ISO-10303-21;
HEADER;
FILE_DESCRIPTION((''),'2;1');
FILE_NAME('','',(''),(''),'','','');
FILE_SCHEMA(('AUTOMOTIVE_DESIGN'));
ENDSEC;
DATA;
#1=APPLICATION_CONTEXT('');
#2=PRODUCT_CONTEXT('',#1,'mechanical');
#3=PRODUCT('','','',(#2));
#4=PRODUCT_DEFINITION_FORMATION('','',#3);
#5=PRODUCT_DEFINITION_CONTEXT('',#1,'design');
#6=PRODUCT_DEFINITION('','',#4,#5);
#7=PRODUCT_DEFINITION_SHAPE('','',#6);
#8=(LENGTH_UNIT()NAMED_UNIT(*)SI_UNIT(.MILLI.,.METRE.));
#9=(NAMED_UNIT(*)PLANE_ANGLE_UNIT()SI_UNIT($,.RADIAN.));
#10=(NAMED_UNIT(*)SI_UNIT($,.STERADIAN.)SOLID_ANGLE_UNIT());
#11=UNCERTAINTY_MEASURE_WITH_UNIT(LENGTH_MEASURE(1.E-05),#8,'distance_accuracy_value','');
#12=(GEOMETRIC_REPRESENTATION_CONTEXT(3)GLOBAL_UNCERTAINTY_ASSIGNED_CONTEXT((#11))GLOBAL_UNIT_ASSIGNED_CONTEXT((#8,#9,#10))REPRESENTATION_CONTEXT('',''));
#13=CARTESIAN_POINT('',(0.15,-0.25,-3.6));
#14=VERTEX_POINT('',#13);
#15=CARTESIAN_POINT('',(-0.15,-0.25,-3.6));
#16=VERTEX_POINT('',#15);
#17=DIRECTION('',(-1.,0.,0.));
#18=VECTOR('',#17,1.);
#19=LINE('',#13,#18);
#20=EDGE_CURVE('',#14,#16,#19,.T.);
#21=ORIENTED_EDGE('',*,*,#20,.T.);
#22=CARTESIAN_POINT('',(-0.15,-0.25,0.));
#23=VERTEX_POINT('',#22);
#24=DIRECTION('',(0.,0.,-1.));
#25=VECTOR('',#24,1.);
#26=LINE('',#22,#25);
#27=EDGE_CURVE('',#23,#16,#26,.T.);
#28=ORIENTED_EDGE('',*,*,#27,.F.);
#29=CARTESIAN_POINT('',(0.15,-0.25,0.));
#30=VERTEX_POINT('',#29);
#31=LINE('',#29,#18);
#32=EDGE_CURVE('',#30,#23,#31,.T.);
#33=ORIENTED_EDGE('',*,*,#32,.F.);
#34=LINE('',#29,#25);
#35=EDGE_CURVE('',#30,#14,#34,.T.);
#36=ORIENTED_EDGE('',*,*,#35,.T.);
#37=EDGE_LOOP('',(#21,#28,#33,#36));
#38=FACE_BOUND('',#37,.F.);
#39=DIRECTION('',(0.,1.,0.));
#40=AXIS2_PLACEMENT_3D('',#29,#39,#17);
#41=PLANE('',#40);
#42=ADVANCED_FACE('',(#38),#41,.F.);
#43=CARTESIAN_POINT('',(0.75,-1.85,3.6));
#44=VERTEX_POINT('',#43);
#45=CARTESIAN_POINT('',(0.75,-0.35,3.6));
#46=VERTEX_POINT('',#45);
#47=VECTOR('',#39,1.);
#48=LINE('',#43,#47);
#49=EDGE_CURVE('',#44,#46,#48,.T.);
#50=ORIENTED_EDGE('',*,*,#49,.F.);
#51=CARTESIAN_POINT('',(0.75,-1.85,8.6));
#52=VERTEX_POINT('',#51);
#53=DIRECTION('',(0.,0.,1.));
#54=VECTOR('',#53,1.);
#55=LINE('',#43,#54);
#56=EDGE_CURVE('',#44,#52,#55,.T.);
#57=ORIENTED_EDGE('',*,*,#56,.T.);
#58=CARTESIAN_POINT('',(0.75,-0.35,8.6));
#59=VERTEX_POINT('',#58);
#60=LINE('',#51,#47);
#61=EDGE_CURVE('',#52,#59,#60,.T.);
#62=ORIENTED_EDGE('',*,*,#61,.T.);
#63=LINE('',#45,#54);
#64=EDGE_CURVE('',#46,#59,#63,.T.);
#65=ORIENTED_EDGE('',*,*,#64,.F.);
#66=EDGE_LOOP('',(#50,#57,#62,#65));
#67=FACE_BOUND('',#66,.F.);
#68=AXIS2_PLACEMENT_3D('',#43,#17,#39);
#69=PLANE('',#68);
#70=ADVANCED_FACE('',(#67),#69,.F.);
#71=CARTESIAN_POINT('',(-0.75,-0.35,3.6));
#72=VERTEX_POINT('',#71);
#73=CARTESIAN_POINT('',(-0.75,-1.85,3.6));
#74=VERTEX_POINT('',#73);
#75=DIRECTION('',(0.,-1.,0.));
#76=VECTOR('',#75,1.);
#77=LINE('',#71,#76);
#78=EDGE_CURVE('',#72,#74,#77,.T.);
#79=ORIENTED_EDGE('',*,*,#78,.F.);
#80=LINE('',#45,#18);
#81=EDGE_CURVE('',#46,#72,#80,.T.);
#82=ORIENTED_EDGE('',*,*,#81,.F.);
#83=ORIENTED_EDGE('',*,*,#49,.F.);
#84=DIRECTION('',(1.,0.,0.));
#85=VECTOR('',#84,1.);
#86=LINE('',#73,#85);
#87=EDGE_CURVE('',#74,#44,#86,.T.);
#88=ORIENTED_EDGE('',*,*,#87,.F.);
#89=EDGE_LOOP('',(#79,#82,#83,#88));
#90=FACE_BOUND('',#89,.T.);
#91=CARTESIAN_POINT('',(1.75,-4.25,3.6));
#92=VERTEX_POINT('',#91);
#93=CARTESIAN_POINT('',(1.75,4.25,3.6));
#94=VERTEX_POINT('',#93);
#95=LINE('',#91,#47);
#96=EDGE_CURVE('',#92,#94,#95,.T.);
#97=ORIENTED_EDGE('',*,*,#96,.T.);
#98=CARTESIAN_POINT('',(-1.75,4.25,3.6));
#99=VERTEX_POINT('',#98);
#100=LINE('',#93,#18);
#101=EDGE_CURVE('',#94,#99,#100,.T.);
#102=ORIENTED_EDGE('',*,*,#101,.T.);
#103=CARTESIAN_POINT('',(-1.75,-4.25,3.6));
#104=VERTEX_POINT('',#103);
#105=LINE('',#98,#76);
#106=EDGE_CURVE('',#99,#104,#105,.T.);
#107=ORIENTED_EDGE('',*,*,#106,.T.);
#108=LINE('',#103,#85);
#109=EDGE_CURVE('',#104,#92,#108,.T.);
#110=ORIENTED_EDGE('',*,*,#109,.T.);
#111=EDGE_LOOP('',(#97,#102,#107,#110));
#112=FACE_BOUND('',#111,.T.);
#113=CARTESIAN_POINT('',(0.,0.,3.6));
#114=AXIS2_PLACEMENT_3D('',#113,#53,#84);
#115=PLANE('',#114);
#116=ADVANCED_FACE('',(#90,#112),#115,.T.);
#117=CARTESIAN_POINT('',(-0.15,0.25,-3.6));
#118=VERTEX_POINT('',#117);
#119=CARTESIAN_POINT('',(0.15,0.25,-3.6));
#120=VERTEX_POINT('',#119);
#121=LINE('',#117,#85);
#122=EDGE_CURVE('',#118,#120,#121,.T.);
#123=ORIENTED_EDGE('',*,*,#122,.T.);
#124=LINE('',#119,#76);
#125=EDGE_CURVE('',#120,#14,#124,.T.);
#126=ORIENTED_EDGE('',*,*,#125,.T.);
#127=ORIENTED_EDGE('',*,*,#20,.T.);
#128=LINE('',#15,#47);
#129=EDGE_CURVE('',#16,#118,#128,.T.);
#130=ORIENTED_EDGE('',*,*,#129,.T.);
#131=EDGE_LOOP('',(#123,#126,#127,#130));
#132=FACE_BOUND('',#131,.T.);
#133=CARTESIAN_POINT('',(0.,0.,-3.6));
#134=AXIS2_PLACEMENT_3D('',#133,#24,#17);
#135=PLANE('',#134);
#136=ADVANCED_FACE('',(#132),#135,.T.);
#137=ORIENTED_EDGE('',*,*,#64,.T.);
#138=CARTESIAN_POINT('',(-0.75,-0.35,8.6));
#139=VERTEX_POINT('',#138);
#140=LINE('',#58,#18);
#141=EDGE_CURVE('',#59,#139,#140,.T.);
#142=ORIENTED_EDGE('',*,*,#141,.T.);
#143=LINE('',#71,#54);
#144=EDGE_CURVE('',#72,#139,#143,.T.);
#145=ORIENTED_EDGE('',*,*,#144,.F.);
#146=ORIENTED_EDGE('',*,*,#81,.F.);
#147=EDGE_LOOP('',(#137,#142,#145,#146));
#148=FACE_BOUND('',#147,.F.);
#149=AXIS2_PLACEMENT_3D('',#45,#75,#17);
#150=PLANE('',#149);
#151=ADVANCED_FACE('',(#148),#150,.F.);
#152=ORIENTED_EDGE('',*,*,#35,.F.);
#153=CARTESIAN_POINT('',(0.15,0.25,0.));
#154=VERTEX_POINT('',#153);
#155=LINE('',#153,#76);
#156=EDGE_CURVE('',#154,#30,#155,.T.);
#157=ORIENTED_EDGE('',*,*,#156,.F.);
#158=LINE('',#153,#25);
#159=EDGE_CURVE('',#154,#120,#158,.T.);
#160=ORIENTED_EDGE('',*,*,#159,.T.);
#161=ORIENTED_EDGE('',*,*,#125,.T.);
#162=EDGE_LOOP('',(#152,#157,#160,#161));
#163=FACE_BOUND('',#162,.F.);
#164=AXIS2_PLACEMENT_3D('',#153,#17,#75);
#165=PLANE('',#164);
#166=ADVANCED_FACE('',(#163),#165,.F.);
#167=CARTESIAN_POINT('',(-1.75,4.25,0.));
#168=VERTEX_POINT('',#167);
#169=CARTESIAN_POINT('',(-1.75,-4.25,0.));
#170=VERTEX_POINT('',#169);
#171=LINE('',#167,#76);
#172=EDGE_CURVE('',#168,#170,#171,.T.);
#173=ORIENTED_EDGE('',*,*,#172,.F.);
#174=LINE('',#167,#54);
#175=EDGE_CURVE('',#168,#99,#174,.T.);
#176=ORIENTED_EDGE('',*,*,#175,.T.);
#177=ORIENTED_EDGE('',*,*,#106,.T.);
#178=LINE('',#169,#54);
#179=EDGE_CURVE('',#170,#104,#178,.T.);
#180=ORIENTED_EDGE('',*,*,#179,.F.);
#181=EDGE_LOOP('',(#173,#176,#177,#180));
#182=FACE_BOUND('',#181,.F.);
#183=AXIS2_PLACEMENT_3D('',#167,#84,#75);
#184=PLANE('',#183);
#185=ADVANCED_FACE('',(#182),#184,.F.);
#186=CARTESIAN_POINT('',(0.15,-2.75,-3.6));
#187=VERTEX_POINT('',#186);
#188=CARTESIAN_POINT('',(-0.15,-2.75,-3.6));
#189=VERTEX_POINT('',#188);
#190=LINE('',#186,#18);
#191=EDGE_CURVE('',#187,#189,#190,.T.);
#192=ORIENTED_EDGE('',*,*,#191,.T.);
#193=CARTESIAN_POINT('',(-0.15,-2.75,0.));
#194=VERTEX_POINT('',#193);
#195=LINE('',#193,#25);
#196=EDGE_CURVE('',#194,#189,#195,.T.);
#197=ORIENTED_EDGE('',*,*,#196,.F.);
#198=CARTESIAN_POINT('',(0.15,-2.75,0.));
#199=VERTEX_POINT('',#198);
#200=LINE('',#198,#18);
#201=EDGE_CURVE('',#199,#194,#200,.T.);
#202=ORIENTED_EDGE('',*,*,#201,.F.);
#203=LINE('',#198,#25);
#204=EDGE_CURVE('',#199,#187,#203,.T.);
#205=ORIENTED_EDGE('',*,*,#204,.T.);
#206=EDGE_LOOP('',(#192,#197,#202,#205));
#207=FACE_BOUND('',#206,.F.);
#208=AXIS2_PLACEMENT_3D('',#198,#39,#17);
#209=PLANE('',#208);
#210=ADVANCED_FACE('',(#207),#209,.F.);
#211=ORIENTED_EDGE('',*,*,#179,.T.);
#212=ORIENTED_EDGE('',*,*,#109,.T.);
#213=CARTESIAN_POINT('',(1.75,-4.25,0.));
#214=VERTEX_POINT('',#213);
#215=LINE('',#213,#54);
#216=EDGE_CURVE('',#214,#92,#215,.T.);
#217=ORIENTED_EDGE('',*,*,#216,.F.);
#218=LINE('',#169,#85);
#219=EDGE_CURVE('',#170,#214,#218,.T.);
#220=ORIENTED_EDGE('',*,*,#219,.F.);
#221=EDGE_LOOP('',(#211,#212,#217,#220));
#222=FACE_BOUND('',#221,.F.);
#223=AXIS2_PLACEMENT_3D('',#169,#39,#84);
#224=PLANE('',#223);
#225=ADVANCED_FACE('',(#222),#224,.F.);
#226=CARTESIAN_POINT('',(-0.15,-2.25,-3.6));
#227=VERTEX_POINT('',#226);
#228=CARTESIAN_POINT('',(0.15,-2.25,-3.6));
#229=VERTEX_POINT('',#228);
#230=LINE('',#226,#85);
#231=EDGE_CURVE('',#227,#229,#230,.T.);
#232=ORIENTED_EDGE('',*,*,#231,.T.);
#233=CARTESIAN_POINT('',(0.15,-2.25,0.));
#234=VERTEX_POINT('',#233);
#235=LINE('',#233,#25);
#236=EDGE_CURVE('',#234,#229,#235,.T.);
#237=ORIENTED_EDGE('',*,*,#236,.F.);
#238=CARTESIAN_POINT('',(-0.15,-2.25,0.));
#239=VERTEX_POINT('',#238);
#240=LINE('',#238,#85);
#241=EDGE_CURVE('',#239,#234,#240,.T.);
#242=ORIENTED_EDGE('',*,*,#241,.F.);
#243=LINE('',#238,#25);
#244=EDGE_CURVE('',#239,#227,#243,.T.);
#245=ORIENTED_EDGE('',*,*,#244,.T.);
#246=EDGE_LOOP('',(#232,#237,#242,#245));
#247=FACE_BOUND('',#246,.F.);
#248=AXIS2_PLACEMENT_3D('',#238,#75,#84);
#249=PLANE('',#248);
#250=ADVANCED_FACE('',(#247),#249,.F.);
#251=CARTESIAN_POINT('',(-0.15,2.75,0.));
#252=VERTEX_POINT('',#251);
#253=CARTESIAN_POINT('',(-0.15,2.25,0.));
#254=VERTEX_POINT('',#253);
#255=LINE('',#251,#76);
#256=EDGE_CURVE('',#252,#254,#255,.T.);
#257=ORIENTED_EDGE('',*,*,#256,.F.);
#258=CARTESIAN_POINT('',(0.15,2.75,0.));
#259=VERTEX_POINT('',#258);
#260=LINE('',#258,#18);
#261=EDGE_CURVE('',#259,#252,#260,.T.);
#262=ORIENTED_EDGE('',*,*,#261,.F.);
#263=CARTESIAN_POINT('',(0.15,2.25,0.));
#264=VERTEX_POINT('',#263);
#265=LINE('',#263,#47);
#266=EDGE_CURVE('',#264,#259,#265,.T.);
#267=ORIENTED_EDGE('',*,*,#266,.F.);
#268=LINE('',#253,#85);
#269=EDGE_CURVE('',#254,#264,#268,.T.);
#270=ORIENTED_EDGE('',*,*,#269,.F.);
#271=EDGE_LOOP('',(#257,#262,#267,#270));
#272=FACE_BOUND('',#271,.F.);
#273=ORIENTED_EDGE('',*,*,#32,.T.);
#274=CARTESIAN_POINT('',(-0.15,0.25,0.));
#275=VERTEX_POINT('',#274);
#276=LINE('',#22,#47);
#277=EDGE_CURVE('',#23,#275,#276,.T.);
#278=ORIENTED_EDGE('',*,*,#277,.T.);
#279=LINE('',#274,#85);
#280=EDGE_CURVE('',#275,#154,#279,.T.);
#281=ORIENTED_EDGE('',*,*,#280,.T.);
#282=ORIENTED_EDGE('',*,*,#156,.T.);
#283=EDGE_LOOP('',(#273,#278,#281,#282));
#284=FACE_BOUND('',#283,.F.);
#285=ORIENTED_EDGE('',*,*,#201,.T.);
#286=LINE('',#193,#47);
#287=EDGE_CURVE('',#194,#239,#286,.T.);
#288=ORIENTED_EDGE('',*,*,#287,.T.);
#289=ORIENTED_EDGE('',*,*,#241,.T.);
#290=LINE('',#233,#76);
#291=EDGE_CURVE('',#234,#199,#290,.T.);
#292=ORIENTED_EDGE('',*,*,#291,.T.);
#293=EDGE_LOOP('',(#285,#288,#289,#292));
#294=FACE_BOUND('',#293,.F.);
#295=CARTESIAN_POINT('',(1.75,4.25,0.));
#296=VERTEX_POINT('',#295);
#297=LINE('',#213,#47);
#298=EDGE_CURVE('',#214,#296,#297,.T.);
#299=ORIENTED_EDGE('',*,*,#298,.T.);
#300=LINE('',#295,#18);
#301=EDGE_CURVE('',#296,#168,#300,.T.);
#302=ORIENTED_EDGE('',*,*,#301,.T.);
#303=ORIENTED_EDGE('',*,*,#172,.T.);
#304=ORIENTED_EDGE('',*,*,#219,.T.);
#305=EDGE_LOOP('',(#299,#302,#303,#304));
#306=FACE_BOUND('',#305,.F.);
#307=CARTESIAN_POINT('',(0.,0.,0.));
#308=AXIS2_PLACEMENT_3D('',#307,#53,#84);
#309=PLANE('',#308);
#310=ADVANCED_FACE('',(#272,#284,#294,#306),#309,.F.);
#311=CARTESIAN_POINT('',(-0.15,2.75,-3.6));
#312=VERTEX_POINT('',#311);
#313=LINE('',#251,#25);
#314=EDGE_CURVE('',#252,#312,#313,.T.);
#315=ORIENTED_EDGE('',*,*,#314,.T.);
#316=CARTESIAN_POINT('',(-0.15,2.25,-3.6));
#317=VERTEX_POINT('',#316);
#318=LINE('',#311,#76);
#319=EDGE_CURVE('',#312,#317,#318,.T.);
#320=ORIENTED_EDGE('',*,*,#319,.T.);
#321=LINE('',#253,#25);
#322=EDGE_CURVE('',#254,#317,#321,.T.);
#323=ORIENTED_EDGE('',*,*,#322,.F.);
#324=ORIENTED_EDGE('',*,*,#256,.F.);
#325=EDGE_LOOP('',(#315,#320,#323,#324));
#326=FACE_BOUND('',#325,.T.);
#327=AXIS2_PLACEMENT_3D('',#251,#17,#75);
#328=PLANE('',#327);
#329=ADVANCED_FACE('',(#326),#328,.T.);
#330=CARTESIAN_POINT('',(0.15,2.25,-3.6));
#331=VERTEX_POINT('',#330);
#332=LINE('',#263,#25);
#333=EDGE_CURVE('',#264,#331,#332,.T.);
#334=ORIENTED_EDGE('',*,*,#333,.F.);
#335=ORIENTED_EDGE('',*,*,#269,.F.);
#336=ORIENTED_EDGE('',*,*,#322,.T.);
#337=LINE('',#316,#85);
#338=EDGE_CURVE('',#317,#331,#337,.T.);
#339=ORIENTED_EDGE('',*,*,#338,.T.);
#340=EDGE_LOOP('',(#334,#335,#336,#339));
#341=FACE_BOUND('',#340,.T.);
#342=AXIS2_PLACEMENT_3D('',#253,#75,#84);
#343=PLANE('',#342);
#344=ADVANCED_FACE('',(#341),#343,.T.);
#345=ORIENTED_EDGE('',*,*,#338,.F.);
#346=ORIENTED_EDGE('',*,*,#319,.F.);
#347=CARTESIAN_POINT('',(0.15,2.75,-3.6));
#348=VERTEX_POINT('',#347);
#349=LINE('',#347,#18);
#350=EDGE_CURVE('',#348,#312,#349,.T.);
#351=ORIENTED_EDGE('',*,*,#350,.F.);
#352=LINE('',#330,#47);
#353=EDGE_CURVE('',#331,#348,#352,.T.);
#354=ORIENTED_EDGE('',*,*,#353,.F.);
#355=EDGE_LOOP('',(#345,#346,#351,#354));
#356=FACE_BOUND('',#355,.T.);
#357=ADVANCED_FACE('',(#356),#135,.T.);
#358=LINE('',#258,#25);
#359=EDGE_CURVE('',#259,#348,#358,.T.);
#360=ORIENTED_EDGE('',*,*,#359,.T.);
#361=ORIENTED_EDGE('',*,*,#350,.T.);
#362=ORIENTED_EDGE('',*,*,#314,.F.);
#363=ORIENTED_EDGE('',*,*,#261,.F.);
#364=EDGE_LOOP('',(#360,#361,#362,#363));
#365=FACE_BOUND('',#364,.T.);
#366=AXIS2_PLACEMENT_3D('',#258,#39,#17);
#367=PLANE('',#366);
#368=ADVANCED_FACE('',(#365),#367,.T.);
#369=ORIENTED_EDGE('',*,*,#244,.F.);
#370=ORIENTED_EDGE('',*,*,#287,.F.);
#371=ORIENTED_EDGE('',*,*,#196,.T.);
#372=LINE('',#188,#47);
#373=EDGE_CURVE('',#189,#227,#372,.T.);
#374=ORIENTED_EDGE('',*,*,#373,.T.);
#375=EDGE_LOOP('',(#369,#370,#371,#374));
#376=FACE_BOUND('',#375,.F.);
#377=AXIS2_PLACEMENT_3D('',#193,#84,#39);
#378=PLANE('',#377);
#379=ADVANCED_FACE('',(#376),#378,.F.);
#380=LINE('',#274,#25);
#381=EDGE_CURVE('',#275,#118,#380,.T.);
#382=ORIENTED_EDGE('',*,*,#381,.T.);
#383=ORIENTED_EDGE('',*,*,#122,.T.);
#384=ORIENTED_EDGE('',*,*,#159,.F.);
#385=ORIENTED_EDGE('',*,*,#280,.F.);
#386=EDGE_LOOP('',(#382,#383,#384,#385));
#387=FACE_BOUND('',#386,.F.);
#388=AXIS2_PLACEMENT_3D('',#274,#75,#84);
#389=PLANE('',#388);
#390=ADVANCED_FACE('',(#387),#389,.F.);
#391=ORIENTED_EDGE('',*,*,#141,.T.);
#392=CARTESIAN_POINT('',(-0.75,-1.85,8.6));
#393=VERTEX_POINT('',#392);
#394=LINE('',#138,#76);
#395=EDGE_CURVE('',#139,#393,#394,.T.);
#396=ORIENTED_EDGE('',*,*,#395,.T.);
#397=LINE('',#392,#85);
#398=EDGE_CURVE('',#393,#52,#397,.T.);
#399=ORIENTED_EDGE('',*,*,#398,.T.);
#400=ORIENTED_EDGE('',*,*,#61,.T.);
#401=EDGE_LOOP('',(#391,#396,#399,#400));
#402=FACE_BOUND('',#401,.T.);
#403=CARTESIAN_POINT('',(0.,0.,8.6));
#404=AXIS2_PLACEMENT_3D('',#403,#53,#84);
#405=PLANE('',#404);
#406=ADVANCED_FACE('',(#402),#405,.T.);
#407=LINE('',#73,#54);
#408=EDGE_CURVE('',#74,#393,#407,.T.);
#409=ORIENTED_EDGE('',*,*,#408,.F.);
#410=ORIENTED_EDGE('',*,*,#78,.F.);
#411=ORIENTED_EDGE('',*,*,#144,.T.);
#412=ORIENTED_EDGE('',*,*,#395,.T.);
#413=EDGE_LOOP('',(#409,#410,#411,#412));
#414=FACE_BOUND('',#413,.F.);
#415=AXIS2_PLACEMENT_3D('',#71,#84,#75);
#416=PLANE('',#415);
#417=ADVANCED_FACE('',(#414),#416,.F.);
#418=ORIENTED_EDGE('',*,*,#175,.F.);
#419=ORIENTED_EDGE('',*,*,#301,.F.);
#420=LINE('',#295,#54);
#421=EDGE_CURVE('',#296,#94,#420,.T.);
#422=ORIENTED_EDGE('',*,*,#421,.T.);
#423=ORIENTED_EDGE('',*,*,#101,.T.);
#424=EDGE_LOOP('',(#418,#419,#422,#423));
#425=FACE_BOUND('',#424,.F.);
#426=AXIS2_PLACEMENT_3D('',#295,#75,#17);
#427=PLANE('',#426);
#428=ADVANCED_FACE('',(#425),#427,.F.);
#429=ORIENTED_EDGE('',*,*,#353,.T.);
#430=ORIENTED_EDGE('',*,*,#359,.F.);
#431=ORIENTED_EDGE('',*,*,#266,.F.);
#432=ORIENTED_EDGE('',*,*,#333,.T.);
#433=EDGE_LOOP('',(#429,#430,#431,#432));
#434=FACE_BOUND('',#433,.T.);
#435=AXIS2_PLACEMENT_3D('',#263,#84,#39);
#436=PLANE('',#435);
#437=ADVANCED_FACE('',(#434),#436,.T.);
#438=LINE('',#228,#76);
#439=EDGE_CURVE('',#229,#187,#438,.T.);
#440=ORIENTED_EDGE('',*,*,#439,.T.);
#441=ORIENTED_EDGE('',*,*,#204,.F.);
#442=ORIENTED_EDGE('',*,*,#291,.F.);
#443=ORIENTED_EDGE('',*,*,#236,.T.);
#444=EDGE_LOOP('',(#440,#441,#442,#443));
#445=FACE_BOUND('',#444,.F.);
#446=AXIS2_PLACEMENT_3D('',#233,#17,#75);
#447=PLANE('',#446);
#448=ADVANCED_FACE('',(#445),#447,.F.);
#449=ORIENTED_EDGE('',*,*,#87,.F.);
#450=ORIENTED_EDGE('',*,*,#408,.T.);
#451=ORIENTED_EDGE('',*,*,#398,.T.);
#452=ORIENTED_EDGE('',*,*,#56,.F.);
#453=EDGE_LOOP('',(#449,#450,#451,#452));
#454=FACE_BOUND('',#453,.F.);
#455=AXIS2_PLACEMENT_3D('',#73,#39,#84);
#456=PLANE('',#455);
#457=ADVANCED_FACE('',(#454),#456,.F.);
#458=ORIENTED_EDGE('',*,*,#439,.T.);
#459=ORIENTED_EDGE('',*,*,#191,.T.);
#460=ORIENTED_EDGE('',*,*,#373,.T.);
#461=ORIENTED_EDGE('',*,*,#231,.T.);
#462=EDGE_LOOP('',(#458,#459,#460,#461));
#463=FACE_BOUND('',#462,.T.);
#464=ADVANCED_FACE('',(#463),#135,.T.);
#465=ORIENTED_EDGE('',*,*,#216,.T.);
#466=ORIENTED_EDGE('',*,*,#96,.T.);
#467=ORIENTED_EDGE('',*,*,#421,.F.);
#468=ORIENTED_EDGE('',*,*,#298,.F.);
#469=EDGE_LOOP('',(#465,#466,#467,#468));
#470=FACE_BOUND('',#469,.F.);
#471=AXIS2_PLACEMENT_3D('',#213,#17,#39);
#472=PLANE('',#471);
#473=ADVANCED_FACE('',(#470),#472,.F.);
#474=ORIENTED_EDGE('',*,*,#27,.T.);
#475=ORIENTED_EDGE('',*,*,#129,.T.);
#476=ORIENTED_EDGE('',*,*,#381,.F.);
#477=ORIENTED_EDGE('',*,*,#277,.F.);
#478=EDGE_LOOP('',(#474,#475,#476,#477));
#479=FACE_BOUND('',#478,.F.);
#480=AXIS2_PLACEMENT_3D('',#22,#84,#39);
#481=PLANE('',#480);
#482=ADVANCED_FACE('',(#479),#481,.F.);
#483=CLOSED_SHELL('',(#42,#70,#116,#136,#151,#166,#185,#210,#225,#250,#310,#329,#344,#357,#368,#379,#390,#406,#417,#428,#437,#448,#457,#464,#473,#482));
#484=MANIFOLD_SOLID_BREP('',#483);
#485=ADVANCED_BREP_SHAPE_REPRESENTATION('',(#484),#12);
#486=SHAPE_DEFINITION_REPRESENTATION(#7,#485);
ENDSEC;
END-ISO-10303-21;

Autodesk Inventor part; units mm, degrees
ref_plane "YZ Plane" through (0, 0, 0) normal (1, 0, 0) x (0, 1, 0)
ref_plane "XZ Plane" through (0, 0, 0) normal (0, 1, 0) x (-1, 0, 0)
ref_plane "XY Plane" through (0, 0, 0) normal (0, 0, 1) x (1, 0, 0)
sketch "スケッチ1" plane through (0, 0, 0) normal (0, 0, 1) x (1, 0, 0)
  line L0 (-1.75, -4.25) -> (1.75, -4.25)
  line L1 (1.75, -4.25) -> (1.75, 4.25)
  line L2 (1.75, 4.25) -> (-1.75, 4.25)
  line L3 (-1.75, 4.25) -> (-1.75, -4.25)
  line L4 (-1.75, -4.25) -> (1.75, 4.25) construction
  line L5 (1.75, -4.25) -> (-1.75, 4.25) construction
  point P0 (0, 0)
  dimension "d0" = 8.5
  dimension "d1" = 3.5
extrude "押し出し1" add sketch "スケッチ1" along normal blind 3.6
sketch "スケッチ2" plane through (0, 0, 3.6) normal (0, 0, 1) x (1, 0, 0)
  line L0 (-0.75, 1.85) -> (0.75, 1.85) construction
  line L1 (0.75, 1.85) -> (0.75, -1.85) construction
  line L2 (0.75, -1.85) -> (-0.75, -1.85) construction
  line L3 (-0.75, -1.85) -> (-0.75, 1.85) construction
  line L4 (-0.75, 1.85) -> (0.75, -1.85) construction
  line L5 (0.75, 1.85) -> (-0.75, -1.85) construction
  line L6 (-0.75, -1.85) -> (0.75, -1.85)
  line L7 (0.75, -1.85) -> (0.75, -0.35)
  line L8 (0.75, -0.35) -> (-0.75, -0.35)
  line L9 (-0.75, -0.35) -> (-0.75, -1.85)
  point P0 (0, 0)
  dimension "d4" = 3.7
  dimension "d5" = 1.5
  dimension "d6" = 1.5
extrude "押し出し2" add sketch "スケッチ2" along normal blind 5
sketch "スケッチ3" plane through (0, 0, 0) normal (0, 0, -1) x (-1, 0, 0)
  line L0 (-0.15, -2.75) -> (0.15, -2.75) construction
  line L1 (0.15, -2.75) -> (0.15, 2.75) construction
  line L2 (0.15, 2.75) -> (-0.15, 2.75) construction
  line L3 (-0.15, 2.75) -> (-0.15, -2.75) construction
  line L4 (-0.15, -2.75) -> (0.15, 2.75) construction
  line L5 (0.15, -2.75) -> (-0.15, 2.75) construction
  line L6 (-0.15, 2.75) -> (0.15, 2.75)
  line L7 (0.15, 2.75) -> (0.15, 2.25)
  line L8 (0.15, 2.25) -> (-0.15, 2.25)
  line L9 (-0.15, 2.25) -> (-0.15, 2.75)
  line L10 (-0.15, -0.25) -> (0.15, -0.25)
  line L11 (0.15, -0.25) -> (0.15, 0.25)
  line L12 (0.15, 0.25) -> (-0.15, 0.25)
  line L13 (-0.15, 0.25) -> (-0.15, -0.25)
  line L14 (-0.15, -0.25) -> (0.15, 0.25) construction
  line L15 (0.15, -0.25) -> (-0.15, 0.25) construction
  line L16 (-0.15, -2.75) -> (0.15, -2.75)
  line L17 (0.15, -2.75) -> (0.15, -2.25)
  line L18 (0.15, -2.25) -> (-0.15, -2.25)
  line L19 (-0.15, -2.25) -> (-0.15, -2.75)
  point P0 (0, 0)
  dimension "d9" = 0.3
  dimension "d10" = 5.5
  dimension "d11" = 0.5
  dimension "d12" = 0.5
  dimension "d13" = 0.5
extrude "押し出し3" add sketch "スケッチ3" along normal blind 3.6
properties part number "SS-12D00-G5"
